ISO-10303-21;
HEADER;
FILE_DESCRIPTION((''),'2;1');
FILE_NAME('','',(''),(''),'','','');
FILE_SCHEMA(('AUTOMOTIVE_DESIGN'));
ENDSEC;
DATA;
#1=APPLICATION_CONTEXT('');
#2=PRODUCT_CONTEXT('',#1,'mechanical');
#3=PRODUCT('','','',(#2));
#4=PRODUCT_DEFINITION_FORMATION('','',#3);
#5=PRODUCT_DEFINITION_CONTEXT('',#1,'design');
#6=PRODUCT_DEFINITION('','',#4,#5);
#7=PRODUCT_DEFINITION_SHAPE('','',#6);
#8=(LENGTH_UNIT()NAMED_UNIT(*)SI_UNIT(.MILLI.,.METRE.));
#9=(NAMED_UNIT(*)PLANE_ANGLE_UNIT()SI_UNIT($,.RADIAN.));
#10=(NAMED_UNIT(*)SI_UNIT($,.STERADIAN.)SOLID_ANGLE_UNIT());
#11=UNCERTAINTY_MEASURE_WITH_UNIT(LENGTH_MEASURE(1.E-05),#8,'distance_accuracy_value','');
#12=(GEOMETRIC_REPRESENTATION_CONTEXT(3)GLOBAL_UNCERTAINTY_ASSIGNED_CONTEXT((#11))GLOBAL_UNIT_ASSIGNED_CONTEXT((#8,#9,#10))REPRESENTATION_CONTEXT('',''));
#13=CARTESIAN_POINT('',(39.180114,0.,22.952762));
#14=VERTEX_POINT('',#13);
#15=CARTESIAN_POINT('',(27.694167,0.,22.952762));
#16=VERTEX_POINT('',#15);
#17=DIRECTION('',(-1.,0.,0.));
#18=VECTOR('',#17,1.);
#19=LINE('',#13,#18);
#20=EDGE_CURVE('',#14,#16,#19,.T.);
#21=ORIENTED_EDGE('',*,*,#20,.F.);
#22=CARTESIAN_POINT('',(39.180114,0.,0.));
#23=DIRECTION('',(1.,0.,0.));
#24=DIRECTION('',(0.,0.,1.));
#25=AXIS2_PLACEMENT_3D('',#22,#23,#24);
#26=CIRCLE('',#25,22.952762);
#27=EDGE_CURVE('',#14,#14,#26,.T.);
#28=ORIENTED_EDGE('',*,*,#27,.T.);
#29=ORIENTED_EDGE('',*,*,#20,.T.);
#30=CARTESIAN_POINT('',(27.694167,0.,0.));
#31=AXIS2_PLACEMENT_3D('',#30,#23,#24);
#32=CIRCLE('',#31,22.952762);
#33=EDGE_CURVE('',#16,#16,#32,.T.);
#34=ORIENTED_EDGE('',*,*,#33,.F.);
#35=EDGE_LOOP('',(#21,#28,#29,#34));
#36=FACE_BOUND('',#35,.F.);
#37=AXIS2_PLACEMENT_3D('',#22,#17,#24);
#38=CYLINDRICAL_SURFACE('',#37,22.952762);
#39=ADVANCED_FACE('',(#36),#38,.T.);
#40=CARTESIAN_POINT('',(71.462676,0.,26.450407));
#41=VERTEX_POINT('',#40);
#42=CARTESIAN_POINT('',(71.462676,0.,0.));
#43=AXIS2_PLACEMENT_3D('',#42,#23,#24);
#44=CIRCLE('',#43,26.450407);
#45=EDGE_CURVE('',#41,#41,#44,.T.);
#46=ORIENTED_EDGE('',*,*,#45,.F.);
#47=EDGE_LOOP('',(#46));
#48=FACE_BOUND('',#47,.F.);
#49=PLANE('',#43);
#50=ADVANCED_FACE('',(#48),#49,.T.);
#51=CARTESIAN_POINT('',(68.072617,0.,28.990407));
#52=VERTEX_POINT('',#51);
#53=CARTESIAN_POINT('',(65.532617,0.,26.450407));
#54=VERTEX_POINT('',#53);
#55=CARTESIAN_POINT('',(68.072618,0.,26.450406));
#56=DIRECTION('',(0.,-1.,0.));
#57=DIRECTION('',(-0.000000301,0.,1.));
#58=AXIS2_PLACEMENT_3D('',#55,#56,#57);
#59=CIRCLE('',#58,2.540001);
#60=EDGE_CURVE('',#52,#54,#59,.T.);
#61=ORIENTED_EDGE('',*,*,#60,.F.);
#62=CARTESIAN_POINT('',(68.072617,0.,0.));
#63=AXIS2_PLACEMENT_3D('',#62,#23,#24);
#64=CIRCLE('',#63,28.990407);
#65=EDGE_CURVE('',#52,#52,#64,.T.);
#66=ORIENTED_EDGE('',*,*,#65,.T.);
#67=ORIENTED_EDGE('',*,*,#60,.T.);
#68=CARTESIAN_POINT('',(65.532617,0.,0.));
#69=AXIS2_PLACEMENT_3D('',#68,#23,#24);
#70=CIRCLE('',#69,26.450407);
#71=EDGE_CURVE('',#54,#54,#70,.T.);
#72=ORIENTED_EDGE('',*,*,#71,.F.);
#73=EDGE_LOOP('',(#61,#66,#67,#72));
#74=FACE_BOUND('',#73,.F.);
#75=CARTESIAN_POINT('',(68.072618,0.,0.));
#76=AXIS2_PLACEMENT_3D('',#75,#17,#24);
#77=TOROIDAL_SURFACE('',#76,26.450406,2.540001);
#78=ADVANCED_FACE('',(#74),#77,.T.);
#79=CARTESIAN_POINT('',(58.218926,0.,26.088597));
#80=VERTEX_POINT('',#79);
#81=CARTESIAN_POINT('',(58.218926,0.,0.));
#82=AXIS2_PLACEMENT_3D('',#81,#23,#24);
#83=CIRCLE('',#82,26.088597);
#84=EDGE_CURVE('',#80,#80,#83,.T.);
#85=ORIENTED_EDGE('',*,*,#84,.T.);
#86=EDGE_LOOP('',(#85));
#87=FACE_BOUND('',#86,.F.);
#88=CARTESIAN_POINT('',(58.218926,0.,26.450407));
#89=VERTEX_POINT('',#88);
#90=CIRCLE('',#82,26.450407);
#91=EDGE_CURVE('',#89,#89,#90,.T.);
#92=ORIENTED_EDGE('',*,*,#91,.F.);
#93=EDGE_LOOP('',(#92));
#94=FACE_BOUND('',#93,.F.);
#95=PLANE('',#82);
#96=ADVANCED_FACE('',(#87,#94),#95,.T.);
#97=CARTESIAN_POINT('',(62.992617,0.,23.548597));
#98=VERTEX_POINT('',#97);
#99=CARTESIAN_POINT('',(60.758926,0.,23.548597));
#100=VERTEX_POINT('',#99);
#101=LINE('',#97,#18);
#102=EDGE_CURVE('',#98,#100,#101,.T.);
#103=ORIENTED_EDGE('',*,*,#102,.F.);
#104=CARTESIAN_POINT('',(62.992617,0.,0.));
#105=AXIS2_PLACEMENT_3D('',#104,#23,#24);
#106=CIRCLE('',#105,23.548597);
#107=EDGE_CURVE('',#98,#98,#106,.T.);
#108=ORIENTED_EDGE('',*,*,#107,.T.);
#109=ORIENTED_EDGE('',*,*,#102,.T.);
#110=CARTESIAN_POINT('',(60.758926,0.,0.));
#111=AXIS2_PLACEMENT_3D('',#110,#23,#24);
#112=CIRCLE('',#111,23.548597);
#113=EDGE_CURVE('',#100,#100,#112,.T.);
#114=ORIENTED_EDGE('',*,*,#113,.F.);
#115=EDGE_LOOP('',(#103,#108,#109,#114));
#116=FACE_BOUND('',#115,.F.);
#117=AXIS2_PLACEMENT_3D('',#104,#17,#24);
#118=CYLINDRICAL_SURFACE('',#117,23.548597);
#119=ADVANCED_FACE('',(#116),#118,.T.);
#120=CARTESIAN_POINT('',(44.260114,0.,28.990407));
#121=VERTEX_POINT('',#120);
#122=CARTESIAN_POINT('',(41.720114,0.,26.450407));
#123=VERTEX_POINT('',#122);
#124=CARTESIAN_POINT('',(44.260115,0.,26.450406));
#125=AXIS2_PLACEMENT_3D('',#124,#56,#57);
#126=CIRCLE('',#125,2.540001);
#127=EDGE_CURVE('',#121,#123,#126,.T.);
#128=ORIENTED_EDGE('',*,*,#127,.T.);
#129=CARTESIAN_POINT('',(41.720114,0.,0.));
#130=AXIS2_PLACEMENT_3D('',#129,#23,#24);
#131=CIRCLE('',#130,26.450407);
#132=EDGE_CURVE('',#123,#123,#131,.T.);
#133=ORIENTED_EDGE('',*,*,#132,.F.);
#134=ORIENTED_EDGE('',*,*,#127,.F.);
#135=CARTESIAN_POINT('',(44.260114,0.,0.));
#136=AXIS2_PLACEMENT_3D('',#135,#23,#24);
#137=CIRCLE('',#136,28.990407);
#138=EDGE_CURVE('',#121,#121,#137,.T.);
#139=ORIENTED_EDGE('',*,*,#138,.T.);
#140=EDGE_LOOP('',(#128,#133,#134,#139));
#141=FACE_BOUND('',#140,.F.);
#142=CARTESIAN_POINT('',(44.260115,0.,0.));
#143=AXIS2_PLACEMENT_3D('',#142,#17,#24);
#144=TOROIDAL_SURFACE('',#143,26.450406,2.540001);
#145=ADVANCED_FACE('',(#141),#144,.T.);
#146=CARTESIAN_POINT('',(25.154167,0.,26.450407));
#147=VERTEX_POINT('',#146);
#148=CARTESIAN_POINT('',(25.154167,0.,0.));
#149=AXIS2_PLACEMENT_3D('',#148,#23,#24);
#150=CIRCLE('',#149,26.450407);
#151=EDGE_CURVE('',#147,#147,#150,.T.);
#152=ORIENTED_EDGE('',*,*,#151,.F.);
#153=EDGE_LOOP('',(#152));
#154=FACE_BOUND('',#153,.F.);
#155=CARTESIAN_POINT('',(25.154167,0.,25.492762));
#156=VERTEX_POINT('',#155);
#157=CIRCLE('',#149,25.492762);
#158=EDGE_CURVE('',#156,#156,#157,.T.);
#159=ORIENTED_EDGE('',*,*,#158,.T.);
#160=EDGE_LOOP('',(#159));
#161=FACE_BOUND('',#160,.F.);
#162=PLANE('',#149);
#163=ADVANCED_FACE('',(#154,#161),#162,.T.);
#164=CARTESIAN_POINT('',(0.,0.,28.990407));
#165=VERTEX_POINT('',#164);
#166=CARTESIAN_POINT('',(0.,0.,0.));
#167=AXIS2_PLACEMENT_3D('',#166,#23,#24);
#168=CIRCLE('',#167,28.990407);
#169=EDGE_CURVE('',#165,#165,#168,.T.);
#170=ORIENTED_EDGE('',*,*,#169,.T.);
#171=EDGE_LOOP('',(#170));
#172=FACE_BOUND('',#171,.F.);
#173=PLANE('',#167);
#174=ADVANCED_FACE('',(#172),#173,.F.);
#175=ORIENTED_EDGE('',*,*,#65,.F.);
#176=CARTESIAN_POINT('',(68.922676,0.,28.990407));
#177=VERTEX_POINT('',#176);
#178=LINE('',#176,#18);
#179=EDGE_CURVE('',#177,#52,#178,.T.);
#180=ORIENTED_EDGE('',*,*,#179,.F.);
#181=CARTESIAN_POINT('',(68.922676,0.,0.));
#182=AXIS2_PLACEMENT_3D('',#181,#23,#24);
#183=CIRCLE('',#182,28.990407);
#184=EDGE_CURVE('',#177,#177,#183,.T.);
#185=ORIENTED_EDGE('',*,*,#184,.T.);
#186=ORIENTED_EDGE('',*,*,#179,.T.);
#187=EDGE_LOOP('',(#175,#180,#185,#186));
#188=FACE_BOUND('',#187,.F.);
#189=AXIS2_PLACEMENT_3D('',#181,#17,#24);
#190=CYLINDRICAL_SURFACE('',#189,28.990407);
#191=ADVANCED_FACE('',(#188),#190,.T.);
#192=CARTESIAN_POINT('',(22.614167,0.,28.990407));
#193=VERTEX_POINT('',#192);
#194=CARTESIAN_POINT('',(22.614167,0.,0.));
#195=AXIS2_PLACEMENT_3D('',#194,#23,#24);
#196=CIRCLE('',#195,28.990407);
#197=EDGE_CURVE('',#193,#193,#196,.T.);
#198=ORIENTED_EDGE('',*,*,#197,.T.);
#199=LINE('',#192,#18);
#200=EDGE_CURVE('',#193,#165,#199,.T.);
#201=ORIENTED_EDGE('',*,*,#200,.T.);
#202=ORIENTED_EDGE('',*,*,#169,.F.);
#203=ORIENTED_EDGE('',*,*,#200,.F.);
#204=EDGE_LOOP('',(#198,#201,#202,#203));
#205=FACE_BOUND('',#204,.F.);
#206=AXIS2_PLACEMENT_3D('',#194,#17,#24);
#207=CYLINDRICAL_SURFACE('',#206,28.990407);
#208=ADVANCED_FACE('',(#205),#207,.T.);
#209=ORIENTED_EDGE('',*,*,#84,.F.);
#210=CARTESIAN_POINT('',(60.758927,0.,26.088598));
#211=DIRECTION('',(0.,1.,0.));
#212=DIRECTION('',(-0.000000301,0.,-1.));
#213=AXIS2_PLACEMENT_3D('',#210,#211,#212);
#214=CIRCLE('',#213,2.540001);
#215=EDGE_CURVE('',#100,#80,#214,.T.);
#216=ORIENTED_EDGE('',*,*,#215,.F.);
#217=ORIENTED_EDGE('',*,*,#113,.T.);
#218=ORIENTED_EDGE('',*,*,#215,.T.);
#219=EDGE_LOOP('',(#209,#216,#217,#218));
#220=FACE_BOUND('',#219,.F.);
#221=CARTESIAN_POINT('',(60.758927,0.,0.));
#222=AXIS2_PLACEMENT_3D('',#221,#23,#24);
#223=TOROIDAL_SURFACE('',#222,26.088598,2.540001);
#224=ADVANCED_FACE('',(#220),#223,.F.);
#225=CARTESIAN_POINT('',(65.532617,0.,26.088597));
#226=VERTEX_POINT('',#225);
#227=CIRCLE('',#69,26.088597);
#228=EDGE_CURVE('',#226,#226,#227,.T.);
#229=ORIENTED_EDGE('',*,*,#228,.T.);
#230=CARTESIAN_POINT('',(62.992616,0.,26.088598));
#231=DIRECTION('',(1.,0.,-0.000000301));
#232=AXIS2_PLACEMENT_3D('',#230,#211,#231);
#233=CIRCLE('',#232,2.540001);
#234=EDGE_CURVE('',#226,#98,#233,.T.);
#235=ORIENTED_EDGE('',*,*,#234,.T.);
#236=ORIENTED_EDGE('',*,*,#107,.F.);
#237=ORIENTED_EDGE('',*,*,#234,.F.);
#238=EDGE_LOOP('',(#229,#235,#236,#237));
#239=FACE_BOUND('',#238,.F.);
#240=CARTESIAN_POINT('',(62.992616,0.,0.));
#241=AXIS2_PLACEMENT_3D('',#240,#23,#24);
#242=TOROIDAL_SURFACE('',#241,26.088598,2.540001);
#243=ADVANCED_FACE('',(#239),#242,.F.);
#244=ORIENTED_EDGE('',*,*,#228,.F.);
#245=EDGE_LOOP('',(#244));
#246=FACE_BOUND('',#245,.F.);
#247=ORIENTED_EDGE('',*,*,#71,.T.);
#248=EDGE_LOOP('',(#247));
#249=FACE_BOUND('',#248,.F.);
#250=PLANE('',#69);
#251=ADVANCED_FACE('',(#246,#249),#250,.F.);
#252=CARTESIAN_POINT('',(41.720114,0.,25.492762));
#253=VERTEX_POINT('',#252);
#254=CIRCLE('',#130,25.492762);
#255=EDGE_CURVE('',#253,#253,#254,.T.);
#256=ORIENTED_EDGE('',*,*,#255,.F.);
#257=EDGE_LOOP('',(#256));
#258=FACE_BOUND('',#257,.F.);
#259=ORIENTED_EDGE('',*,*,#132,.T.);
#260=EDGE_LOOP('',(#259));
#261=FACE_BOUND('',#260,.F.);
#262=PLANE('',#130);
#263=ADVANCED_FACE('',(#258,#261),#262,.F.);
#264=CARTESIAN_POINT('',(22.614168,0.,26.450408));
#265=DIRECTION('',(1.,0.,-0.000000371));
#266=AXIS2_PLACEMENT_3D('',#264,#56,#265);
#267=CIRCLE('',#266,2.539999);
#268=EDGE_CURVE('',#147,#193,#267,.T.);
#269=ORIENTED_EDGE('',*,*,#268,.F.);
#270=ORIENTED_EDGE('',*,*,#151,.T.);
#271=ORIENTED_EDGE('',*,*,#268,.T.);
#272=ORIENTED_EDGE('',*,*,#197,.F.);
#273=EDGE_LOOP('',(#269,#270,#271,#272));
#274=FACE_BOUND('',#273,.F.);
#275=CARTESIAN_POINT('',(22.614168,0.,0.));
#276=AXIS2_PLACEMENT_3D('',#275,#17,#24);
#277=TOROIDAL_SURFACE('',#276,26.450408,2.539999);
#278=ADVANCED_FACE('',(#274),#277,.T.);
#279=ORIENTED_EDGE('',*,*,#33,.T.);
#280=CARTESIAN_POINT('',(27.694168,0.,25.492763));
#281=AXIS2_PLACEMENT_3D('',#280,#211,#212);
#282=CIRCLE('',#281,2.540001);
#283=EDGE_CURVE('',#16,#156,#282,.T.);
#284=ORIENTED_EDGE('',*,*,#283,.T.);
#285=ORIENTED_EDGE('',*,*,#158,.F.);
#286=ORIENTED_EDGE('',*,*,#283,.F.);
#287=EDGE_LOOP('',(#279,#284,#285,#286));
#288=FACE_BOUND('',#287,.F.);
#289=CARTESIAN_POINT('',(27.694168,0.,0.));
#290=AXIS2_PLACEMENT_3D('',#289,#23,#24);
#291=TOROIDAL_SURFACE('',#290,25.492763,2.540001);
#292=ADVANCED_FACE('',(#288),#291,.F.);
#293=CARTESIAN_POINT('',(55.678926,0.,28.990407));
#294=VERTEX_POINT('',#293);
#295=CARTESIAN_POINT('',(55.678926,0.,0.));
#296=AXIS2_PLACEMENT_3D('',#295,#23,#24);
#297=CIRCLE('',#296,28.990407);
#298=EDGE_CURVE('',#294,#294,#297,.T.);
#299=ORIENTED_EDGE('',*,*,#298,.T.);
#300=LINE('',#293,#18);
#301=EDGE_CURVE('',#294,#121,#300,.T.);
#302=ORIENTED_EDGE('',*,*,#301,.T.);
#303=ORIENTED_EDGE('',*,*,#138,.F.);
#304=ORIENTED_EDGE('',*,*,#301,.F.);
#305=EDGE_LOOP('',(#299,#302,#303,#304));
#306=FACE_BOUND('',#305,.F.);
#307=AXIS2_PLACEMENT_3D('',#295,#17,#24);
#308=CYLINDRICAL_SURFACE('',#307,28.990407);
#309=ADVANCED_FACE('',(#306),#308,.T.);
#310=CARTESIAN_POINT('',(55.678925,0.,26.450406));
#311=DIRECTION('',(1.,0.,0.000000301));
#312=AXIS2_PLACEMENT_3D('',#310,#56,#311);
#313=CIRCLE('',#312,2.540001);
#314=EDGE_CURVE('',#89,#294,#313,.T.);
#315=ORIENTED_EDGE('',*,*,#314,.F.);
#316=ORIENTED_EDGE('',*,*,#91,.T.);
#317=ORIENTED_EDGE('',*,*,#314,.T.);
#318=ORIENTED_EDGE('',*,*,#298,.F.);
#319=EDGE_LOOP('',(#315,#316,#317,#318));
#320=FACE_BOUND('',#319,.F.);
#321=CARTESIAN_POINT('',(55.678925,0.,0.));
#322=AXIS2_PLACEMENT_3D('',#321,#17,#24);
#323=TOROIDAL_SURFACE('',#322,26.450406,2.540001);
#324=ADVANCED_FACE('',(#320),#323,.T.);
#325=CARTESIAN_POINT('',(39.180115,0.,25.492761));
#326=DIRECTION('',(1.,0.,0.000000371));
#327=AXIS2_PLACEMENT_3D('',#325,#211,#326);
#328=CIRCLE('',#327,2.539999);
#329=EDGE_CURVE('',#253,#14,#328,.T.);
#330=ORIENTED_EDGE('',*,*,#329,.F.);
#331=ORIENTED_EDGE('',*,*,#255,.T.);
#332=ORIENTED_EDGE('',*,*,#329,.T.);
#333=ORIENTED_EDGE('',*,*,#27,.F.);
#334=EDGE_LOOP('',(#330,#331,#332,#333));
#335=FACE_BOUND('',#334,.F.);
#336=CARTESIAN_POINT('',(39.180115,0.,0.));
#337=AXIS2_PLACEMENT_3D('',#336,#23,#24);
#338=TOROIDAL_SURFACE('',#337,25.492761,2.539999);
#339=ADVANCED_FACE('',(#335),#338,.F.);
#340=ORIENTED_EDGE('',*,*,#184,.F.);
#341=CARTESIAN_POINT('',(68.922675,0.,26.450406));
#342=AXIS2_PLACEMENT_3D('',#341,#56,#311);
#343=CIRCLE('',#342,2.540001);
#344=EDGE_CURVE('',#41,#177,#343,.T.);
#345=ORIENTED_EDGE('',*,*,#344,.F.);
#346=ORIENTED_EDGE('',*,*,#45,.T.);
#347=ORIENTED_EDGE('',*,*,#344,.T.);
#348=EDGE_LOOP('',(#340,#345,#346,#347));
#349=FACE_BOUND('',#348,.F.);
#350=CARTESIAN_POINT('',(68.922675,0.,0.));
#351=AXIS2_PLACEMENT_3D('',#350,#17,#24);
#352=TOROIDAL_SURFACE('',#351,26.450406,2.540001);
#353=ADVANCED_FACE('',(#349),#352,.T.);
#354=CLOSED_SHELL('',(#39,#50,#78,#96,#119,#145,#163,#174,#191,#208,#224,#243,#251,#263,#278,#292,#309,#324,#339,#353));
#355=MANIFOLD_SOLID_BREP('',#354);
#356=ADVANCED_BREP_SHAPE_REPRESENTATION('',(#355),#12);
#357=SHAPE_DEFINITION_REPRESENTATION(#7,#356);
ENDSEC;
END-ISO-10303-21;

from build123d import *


with BuildPart() as f1:
    # F0 (on Front) → F1 (revolve)
    with BuildSketch(Plane.XZ):
        with BuildLine():
            Line((0, 28.990407), (0, 0))
            Line((0, 0), (71.462676, 0))
            Line((71.462676, 0), (71.462676, 26.450407))
            ThreePointArc((71.462676, 26.450407), (70.718727, 28.246458), (68.922676, 28.990407))
            Line((68.922676, 28.990407), (68.072617, 28.990407))
            ThreePointArc((68.072617, 28.990407), (66.276566, 28.246458), (65.532617, 26.450407))
            Line((65.532617, 26.450407), (65.532617, 26.088597))
            ThreePointArc((65.532617, 26.088597), (64.788668, 24.292546), (62.992617, 23.548597))
            Line((62.992617, 23.548597), (60.758926, 23.548597))
            ThreePointArc((60.758926, 23.548597), (58.962875, 24.292546), (58.218926, 26.088597))
            Line((58.218926, 26.088597), (58.218926, 26.450407))
            ThreePointArc((58.218926, 26.450407), (57.474977, 28.246458), (55.678926, 28.990407))
            Line((55.678926, 28.990407), (44.260114, 28.990407))
            ThreePointArc((44.260114, 28.990407), (42.464063, 28.246458), (41.720114, 26.450407))
            Line((41.720114, 26.450407), (41.720114, 25.492762))
            ThreePointArc((41.720114, 25.492762), (40.976166, 23.696711), (39.180114, 22.952762))
            Line((39.180114, 22.952762), (27.694167, 22.952762))
            ThreePointArc((27.694167, 22.952762), (25.898116, 23.696711), (25.154167, 25.492762))
            Line((25.154167, 25.492762), (25.154167, 26.450407))
            ThreePointArc((25.154167, 26.450407), (24.410219, 28.246458), (22.614167, 28.990407))
            Line((22.614167, 28.990407), (0, 28.990407))
        make_face()
    revolve(axis=Axis((35.731338, 0, 0), (1, 0, 0)))


solid = f1.part
